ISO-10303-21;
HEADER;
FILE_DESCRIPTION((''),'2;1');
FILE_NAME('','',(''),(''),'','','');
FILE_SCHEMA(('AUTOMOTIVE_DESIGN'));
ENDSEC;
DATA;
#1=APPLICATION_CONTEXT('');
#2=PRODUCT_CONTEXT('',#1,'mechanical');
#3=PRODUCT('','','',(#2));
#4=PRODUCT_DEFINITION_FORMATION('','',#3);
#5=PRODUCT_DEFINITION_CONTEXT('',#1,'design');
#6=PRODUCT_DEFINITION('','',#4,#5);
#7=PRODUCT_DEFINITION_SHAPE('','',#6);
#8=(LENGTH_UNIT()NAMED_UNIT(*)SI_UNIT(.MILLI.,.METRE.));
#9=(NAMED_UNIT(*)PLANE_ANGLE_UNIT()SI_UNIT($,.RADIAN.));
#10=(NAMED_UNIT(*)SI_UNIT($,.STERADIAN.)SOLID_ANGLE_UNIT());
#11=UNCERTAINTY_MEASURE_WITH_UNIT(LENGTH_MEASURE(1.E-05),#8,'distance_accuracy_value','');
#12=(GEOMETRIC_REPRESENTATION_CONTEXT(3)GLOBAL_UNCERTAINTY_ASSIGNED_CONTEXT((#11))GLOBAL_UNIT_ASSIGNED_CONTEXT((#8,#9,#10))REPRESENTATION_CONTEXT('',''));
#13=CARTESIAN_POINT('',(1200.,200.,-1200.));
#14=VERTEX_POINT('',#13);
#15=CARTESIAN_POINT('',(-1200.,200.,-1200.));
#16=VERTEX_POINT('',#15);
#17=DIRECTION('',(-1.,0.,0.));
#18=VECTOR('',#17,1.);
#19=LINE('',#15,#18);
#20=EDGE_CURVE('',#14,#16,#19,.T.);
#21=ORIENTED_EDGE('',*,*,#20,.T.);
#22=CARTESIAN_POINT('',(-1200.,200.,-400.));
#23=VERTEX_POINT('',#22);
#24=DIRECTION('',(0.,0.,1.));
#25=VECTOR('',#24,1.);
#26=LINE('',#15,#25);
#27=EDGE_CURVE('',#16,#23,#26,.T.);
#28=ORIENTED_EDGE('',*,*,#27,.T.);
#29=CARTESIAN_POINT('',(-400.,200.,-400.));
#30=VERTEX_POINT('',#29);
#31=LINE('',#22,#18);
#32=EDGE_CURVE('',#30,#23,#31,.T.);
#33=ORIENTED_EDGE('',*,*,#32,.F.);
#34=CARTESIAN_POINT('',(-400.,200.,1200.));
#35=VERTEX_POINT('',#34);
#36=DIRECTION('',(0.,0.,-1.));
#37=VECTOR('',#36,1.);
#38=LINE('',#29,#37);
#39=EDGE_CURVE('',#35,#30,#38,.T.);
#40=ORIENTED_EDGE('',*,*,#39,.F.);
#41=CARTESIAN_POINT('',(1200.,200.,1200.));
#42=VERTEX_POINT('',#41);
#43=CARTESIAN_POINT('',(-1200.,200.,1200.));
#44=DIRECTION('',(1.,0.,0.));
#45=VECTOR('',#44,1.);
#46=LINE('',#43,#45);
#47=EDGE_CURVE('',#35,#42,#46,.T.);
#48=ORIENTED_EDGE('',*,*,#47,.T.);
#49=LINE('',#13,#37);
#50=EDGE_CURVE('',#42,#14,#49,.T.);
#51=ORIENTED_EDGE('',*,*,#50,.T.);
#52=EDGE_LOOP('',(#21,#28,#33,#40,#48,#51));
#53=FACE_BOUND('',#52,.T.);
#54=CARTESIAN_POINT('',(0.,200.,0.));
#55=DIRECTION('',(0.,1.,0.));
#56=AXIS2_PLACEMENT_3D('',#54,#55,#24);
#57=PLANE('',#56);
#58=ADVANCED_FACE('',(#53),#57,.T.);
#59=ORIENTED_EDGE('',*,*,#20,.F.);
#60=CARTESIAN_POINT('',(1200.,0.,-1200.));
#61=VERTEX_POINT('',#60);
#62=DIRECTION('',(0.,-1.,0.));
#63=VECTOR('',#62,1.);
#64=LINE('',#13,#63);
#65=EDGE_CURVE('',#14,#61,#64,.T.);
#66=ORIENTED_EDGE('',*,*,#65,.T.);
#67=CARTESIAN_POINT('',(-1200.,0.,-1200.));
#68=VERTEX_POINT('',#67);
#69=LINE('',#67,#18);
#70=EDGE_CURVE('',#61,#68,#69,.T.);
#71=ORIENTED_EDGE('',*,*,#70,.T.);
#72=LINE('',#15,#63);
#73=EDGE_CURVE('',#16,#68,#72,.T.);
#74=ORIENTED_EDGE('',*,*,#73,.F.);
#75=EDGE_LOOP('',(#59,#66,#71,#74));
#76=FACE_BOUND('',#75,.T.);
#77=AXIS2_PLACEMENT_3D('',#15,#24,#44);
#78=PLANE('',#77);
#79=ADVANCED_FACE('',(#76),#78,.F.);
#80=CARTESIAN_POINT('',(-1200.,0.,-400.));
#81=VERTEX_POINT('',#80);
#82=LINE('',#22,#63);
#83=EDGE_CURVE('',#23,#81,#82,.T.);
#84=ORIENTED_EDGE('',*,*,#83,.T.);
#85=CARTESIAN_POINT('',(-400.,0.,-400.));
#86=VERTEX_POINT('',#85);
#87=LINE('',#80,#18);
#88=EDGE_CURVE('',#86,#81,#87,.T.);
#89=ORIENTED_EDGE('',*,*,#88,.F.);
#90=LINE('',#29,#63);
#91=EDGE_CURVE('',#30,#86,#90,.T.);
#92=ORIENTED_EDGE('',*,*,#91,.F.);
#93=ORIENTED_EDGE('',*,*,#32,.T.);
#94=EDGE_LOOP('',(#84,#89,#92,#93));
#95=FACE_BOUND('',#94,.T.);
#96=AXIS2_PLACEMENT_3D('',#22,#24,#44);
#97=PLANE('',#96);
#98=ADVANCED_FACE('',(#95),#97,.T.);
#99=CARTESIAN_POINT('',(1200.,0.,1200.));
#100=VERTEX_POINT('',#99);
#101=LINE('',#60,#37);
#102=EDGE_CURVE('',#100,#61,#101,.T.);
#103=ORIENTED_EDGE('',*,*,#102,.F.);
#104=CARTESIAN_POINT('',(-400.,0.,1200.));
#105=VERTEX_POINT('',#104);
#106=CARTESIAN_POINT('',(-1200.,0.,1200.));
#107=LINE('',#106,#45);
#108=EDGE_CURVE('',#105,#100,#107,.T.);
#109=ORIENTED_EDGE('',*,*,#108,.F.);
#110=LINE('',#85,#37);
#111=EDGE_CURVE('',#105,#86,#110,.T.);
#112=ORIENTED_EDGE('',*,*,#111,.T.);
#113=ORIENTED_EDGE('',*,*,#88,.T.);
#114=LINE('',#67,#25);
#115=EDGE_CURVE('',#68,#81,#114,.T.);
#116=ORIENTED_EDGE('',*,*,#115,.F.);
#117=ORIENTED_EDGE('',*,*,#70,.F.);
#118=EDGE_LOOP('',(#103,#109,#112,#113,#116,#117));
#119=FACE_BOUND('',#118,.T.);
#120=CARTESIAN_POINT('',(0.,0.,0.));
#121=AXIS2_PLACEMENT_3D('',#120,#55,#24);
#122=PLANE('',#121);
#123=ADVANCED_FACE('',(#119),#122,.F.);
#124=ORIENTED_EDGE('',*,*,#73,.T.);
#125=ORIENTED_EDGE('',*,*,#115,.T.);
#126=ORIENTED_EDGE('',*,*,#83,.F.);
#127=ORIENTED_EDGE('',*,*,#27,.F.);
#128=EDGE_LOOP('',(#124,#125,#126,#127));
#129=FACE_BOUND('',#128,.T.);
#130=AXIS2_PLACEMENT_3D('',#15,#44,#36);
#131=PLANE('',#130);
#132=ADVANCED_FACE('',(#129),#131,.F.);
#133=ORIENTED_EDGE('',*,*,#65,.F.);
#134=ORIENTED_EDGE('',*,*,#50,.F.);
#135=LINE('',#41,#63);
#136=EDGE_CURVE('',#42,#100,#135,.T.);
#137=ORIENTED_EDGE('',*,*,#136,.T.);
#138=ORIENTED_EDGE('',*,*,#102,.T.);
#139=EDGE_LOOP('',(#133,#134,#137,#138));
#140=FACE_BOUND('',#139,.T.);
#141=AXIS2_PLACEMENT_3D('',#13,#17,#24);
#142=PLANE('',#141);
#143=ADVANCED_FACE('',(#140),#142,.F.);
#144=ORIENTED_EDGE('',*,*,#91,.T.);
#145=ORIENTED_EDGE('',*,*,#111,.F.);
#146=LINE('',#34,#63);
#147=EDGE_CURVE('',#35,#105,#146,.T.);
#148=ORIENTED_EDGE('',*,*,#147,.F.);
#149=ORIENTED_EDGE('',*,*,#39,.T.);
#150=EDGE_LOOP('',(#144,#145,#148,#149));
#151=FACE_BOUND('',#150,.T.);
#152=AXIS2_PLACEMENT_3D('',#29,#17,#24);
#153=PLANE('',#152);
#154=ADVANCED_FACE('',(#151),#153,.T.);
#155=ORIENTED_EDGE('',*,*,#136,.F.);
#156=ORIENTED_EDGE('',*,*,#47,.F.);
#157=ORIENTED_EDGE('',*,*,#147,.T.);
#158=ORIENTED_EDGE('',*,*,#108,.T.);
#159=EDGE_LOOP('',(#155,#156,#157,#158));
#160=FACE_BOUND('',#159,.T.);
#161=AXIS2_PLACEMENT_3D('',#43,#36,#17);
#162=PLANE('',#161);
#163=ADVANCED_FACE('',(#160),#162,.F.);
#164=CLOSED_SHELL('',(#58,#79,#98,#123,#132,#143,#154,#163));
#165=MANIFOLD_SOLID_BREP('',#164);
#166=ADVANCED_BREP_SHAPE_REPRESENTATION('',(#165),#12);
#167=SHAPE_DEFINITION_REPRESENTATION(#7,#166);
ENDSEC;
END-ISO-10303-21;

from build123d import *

# Parameters (mm, degrees)
SKETCH_1_W          = 2400
SKETCH_1_H          = 2400
EXTRUDE_1_DEPTH     = 200
SKETCH_2_W          = 800
SKETCH_2_H          = 1600
CUT_EXTRUDE_1_DEPTH = 200


with BuildPart() as part:
    # 草图1 → 凸台-拉伸1 (new body)
    with BuildSketch(Plane(origin=(0, 0, 0), x_dir=(1, 0, 0), z_dir=(0, 1, 0))):
        Rectangle(SKETCH_1_W, SKETCH_1_H)
    extrude(amount=EXTRUDE_1_DEPTH)

    # 草图2 → 切除-拉伸1 (cut)
    with BuildSketch(Plane(origin=(0, 0, 0), x_dir=(1, 0, 0), z_dir=(0, 1, 0))):
        with Locations((-800, -400)):
            Rectangle(SKETCH_2_W, SKETCH_2_H)
    extrude(amount=CUT_EXTRUDE_1_DEPTH, mode=Mode.SUBTRACT)


solid = part.part
